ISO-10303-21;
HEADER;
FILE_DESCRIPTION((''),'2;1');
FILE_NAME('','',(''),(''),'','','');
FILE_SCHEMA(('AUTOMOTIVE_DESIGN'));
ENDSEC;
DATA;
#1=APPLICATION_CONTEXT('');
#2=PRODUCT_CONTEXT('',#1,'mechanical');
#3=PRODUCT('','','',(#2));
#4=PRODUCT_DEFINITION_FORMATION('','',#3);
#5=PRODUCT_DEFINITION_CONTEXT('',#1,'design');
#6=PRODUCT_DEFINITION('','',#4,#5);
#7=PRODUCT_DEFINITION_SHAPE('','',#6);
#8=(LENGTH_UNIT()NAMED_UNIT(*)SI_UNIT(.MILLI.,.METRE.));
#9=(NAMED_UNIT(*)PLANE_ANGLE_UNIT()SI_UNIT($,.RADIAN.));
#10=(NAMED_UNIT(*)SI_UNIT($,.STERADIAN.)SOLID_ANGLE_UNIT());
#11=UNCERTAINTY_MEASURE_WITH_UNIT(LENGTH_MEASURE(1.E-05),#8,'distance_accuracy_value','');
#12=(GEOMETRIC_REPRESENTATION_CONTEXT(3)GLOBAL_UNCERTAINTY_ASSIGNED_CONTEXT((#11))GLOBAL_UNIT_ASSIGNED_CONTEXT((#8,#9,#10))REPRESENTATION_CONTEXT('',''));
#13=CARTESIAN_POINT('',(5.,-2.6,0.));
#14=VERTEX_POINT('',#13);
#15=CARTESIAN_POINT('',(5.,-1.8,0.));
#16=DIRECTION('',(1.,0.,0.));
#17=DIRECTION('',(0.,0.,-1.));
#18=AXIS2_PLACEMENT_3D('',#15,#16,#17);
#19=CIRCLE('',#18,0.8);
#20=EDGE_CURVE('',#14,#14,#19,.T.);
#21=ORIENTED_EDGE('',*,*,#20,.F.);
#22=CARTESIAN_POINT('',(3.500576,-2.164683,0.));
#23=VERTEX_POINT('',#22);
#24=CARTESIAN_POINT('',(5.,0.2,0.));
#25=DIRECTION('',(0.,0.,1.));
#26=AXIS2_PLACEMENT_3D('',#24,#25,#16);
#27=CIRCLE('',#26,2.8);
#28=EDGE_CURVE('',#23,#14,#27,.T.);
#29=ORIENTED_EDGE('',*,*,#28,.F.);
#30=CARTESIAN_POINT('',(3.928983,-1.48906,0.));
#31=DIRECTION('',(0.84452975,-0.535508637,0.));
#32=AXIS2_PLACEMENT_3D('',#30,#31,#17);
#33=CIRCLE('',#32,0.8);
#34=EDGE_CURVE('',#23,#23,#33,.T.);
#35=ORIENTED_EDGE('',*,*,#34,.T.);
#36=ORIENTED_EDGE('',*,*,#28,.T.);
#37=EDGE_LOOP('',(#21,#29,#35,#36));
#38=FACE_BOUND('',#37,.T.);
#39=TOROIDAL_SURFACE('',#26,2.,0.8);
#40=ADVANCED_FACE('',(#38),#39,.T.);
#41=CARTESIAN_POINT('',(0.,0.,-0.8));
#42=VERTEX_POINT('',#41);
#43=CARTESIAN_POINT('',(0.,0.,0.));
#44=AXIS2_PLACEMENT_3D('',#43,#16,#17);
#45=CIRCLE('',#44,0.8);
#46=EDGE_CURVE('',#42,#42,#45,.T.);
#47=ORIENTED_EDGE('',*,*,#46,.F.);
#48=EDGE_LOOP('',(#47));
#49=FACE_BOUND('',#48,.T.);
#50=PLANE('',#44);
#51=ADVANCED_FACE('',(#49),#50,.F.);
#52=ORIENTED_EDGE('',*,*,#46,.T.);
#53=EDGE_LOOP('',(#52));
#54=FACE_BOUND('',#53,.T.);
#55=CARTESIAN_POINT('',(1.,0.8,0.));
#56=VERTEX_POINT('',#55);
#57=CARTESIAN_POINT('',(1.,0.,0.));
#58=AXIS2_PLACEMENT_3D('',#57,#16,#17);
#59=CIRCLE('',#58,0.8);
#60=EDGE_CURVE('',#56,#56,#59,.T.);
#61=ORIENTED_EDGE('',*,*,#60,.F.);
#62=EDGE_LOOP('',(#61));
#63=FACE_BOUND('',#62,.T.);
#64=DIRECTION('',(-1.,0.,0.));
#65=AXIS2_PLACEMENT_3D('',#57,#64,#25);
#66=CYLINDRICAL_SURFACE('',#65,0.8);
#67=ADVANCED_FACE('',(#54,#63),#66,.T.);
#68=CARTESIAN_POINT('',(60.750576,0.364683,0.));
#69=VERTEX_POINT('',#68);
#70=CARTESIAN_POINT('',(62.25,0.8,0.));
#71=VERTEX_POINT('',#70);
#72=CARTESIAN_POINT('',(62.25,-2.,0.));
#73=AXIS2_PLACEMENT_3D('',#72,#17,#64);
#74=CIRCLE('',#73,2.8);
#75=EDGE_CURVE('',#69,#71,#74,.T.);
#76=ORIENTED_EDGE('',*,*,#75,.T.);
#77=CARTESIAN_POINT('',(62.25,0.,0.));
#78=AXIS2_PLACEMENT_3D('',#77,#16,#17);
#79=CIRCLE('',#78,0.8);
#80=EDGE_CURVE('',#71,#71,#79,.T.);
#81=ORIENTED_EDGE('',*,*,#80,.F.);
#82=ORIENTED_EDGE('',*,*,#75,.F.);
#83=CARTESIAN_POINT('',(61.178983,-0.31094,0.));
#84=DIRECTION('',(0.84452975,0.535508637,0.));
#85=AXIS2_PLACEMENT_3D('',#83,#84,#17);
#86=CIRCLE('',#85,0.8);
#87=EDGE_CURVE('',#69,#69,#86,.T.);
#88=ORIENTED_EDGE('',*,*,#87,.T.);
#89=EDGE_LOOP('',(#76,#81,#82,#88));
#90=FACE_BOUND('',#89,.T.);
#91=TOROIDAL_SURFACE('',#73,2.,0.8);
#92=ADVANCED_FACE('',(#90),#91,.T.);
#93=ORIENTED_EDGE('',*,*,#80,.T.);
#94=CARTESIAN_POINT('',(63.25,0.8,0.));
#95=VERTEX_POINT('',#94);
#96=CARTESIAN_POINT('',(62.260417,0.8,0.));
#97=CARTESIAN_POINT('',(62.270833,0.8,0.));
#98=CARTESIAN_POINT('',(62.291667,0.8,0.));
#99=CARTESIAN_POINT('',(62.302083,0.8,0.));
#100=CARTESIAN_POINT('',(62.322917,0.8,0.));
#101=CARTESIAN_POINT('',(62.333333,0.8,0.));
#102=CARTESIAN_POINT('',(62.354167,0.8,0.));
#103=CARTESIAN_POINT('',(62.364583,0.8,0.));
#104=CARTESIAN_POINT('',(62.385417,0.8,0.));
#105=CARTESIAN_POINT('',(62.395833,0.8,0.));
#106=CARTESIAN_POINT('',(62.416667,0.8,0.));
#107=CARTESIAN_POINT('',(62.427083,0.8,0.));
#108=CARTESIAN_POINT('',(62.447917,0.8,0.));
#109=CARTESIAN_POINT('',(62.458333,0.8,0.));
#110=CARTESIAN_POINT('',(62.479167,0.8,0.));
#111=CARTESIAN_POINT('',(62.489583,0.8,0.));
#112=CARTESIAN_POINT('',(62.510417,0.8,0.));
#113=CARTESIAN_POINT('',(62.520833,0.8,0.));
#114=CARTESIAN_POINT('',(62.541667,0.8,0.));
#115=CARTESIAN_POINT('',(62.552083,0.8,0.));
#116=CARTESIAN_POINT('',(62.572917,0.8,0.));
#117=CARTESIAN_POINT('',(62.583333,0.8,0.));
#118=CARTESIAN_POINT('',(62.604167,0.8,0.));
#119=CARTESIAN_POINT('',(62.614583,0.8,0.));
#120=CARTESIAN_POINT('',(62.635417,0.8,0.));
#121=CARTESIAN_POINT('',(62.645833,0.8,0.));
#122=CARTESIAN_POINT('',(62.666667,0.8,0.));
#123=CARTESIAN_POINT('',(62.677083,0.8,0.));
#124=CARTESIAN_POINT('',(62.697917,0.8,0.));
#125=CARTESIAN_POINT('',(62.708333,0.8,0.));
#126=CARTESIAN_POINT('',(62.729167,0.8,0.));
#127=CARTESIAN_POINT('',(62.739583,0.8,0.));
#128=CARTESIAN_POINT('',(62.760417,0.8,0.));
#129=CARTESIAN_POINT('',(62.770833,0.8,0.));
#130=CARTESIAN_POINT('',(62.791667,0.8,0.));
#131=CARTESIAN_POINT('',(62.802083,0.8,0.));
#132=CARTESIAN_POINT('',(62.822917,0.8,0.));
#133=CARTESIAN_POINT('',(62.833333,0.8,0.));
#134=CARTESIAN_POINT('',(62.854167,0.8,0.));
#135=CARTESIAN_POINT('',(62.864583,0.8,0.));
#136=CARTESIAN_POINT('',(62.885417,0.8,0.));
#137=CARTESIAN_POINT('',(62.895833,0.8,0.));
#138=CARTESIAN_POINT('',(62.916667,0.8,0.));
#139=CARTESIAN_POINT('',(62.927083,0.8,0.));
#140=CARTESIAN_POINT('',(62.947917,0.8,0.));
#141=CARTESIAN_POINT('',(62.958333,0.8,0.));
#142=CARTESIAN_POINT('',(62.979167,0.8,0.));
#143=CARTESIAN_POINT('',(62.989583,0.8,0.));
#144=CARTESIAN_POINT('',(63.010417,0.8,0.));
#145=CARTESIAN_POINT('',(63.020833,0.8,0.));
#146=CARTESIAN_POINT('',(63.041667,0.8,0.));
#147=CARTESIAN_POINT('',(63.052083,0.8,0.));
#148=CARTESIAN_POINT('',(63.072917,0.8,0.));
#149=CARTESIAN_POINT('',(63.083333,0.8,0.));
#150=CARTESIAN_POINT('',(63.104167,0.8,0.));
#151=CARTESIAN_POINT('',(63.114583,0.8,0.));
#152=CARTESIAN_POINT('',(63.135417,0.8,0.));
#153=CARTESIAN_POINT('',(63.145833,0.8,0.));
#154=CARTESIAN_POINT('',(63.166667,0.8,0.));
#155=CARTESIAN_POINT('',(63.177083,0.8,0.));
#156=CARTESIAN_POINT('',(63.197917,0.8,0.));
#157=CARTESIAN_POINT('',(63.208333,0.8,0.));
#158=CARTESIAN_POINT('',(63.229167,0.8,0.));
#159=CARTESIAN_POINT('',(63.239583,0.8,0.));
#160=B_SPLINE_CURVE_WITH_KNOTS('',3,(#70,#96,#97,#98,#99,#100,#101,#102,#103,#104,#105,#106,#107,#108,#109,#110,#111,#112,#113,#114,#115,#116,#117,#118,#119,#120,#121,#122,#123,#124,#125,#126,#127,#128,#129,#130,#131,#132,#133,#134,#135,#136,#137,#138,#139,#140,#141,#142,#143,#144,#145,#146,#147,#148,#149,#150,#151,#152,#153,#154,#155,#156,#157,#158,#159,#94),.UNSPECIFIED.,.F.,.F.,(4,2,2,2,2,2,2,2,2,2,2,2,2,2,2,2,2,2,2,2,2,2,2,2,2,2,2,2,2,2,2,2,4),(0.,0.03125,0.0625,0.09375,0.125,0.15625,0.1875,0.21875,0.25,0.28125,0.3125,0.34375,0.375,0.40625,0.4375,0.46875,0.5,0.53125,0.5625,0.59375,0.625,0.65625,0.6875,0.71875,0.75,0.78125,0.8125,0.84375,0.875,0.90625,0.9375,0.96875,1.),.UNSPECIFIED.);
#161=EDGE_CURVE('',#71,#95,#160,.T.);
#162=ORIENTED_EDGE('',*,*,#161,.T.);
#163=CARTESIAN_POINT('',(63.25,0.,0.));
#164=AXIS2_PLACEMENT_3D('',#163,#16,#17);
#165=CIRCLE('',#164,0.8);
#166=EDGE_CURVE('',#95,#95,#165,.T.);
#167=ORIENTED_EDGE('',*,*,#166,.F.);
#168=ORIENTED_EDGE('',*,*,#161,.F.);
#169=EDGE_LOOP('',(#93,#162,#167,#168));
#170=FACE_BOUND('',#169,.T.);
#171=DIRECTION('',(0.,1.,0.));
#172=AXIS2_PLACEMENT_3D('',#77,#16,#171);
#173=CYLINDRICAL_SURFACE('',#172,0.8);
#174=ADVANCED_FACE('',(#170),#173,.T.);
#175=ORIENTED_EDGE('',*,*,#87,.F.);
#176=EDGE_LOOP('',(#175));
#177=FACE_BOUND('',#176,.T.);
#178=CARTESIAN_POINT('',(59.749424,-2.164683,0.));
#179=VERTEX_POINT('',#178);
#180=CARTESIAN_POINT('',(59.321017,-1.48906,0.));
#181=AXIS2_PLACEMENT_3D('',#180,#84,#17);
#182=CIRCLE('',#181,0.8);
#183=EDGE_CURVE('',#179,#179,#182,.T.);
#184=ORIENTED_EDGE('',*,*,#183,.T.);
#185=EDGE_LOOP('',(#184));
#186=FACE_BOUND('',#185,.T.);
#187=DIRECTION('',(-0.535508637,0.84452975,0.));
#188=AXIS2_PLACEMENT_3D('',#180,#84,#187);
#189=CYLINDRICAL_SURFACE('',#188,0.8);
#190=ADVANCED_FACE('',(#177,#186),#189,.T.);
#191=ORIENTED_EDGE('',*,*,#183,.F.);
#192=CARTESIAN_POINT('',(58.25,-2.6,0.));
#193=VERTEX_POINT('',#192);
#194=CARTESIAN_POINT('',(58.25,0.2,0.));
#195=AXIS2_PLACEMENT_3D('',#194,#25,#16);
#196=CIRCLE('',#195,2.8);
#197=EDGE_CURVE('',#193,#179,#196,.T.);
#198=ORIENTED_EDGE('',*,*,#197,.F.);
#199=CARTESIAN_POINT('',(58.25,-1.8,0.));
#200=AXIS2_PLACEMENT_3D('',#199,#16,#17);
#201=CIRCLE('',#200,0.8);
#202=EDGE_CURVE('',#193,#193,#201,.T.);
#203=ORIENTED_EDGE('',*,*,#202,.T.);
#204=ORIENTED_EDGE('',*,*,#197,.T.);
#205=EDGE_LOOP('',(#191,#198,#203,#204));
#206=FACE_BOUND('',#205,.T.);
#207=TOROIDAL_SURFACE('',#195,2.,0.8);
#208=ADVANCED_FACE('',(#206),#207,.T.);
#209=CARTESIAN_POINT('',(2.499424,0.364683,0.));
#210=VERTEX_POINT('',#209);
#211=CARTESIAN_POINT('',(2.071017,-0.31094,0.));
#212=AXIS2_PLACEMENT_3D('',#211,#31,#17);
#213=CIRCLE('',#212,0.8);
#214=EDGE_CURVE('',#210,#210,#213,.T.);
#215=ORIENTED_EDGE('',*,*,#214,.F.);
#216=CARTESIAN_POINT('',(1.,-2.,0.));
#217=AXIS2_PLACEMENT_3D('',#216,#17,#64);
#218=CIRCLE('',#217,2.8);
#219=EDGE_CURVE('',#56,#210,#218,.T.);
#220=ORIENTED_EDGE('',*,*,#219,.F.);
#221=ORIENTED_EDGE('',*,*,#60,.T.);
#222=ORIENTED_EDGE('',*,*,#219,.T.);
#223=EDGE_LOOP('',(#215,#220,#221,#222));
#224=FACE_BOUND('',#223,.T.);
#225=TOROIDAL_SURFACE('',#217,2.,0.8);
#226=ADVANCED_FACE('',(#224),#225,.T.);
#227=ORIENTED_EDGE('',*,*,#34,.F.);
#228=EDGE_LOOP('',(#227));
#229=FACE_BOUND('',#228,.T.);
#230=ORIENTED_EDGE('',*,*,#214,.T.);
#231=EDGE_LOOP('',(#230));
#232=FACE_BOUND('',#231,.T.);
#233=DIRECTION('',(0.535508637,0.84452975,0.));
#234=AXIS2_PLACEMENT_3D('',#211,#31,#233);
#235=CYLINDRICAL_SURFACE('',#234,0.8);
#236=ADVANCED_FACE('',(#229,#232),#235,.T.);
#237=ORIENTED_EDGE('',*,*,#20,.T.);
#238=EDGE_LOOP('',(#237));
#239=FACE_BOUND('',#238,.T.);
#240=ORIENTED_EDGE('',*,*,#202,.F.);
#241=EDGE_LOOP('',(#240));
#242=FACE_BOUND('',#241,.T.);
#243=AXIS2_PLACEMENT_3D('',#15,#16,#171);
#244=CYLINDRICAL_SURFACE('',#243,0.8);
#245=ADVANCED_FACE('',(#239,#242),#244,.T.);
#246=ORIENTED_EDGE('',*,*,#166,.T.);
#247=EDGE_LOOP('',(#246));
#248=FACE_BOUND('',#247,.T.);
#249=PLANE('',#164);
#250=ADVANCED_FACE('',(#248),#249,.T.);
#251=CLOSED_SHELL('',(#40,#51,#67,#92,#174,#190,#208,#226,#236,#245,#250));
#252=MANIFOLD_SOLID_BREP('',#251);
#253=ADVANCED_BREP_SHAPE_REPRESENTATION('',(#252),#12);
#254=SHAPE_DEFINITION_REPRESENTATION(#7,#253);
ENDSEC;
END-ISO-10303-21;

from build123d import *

# Parameters (mm, degrees)
SKETCH1_R = 0.8


with BuildPart() as part:
    # Sweep1: sweep along a path in Sketch2
    with BuildLine(Plane.XY) as sweep1_path:
        Line((0, 0), (1, 0))
        ThreePointArc((1, 0), (1.55762039, -0.079307546), (2.071017274, -0.310940499))
        Line((2.071017274, -0.310940499), (3.928982726, -1.489059501))
        ThreePointArc((3.928982726, -1.489059501), (4.44237961, -1.720692454), (5, -1.8))
        Line((5, -1.8), (58.25, -1.8))
        ThreePointArc((58.25, -1.8), (58.80762039, -1.720692454), (59.321017274, -1.489059501))
        Line((59.321017274, -1.489059501), (61.178982726, -0.310940499))
        ThreePointArc((61.178982726, -0.310940499), (61.69237961, -0.079307546), (62.25, 0))
        Line((62.25, 0), (63.25, 0))
    # Sketch1 → Sweep1 (sweep)
    with BuildSketch(Plane(origin=(0, 0, 0), x_dir=(0, 0, -1), z_dir=(1, 0, 0))):
        Circle(SKETCH1_R)
    sweep(path=sweep1_path.line)


solid = part.part
